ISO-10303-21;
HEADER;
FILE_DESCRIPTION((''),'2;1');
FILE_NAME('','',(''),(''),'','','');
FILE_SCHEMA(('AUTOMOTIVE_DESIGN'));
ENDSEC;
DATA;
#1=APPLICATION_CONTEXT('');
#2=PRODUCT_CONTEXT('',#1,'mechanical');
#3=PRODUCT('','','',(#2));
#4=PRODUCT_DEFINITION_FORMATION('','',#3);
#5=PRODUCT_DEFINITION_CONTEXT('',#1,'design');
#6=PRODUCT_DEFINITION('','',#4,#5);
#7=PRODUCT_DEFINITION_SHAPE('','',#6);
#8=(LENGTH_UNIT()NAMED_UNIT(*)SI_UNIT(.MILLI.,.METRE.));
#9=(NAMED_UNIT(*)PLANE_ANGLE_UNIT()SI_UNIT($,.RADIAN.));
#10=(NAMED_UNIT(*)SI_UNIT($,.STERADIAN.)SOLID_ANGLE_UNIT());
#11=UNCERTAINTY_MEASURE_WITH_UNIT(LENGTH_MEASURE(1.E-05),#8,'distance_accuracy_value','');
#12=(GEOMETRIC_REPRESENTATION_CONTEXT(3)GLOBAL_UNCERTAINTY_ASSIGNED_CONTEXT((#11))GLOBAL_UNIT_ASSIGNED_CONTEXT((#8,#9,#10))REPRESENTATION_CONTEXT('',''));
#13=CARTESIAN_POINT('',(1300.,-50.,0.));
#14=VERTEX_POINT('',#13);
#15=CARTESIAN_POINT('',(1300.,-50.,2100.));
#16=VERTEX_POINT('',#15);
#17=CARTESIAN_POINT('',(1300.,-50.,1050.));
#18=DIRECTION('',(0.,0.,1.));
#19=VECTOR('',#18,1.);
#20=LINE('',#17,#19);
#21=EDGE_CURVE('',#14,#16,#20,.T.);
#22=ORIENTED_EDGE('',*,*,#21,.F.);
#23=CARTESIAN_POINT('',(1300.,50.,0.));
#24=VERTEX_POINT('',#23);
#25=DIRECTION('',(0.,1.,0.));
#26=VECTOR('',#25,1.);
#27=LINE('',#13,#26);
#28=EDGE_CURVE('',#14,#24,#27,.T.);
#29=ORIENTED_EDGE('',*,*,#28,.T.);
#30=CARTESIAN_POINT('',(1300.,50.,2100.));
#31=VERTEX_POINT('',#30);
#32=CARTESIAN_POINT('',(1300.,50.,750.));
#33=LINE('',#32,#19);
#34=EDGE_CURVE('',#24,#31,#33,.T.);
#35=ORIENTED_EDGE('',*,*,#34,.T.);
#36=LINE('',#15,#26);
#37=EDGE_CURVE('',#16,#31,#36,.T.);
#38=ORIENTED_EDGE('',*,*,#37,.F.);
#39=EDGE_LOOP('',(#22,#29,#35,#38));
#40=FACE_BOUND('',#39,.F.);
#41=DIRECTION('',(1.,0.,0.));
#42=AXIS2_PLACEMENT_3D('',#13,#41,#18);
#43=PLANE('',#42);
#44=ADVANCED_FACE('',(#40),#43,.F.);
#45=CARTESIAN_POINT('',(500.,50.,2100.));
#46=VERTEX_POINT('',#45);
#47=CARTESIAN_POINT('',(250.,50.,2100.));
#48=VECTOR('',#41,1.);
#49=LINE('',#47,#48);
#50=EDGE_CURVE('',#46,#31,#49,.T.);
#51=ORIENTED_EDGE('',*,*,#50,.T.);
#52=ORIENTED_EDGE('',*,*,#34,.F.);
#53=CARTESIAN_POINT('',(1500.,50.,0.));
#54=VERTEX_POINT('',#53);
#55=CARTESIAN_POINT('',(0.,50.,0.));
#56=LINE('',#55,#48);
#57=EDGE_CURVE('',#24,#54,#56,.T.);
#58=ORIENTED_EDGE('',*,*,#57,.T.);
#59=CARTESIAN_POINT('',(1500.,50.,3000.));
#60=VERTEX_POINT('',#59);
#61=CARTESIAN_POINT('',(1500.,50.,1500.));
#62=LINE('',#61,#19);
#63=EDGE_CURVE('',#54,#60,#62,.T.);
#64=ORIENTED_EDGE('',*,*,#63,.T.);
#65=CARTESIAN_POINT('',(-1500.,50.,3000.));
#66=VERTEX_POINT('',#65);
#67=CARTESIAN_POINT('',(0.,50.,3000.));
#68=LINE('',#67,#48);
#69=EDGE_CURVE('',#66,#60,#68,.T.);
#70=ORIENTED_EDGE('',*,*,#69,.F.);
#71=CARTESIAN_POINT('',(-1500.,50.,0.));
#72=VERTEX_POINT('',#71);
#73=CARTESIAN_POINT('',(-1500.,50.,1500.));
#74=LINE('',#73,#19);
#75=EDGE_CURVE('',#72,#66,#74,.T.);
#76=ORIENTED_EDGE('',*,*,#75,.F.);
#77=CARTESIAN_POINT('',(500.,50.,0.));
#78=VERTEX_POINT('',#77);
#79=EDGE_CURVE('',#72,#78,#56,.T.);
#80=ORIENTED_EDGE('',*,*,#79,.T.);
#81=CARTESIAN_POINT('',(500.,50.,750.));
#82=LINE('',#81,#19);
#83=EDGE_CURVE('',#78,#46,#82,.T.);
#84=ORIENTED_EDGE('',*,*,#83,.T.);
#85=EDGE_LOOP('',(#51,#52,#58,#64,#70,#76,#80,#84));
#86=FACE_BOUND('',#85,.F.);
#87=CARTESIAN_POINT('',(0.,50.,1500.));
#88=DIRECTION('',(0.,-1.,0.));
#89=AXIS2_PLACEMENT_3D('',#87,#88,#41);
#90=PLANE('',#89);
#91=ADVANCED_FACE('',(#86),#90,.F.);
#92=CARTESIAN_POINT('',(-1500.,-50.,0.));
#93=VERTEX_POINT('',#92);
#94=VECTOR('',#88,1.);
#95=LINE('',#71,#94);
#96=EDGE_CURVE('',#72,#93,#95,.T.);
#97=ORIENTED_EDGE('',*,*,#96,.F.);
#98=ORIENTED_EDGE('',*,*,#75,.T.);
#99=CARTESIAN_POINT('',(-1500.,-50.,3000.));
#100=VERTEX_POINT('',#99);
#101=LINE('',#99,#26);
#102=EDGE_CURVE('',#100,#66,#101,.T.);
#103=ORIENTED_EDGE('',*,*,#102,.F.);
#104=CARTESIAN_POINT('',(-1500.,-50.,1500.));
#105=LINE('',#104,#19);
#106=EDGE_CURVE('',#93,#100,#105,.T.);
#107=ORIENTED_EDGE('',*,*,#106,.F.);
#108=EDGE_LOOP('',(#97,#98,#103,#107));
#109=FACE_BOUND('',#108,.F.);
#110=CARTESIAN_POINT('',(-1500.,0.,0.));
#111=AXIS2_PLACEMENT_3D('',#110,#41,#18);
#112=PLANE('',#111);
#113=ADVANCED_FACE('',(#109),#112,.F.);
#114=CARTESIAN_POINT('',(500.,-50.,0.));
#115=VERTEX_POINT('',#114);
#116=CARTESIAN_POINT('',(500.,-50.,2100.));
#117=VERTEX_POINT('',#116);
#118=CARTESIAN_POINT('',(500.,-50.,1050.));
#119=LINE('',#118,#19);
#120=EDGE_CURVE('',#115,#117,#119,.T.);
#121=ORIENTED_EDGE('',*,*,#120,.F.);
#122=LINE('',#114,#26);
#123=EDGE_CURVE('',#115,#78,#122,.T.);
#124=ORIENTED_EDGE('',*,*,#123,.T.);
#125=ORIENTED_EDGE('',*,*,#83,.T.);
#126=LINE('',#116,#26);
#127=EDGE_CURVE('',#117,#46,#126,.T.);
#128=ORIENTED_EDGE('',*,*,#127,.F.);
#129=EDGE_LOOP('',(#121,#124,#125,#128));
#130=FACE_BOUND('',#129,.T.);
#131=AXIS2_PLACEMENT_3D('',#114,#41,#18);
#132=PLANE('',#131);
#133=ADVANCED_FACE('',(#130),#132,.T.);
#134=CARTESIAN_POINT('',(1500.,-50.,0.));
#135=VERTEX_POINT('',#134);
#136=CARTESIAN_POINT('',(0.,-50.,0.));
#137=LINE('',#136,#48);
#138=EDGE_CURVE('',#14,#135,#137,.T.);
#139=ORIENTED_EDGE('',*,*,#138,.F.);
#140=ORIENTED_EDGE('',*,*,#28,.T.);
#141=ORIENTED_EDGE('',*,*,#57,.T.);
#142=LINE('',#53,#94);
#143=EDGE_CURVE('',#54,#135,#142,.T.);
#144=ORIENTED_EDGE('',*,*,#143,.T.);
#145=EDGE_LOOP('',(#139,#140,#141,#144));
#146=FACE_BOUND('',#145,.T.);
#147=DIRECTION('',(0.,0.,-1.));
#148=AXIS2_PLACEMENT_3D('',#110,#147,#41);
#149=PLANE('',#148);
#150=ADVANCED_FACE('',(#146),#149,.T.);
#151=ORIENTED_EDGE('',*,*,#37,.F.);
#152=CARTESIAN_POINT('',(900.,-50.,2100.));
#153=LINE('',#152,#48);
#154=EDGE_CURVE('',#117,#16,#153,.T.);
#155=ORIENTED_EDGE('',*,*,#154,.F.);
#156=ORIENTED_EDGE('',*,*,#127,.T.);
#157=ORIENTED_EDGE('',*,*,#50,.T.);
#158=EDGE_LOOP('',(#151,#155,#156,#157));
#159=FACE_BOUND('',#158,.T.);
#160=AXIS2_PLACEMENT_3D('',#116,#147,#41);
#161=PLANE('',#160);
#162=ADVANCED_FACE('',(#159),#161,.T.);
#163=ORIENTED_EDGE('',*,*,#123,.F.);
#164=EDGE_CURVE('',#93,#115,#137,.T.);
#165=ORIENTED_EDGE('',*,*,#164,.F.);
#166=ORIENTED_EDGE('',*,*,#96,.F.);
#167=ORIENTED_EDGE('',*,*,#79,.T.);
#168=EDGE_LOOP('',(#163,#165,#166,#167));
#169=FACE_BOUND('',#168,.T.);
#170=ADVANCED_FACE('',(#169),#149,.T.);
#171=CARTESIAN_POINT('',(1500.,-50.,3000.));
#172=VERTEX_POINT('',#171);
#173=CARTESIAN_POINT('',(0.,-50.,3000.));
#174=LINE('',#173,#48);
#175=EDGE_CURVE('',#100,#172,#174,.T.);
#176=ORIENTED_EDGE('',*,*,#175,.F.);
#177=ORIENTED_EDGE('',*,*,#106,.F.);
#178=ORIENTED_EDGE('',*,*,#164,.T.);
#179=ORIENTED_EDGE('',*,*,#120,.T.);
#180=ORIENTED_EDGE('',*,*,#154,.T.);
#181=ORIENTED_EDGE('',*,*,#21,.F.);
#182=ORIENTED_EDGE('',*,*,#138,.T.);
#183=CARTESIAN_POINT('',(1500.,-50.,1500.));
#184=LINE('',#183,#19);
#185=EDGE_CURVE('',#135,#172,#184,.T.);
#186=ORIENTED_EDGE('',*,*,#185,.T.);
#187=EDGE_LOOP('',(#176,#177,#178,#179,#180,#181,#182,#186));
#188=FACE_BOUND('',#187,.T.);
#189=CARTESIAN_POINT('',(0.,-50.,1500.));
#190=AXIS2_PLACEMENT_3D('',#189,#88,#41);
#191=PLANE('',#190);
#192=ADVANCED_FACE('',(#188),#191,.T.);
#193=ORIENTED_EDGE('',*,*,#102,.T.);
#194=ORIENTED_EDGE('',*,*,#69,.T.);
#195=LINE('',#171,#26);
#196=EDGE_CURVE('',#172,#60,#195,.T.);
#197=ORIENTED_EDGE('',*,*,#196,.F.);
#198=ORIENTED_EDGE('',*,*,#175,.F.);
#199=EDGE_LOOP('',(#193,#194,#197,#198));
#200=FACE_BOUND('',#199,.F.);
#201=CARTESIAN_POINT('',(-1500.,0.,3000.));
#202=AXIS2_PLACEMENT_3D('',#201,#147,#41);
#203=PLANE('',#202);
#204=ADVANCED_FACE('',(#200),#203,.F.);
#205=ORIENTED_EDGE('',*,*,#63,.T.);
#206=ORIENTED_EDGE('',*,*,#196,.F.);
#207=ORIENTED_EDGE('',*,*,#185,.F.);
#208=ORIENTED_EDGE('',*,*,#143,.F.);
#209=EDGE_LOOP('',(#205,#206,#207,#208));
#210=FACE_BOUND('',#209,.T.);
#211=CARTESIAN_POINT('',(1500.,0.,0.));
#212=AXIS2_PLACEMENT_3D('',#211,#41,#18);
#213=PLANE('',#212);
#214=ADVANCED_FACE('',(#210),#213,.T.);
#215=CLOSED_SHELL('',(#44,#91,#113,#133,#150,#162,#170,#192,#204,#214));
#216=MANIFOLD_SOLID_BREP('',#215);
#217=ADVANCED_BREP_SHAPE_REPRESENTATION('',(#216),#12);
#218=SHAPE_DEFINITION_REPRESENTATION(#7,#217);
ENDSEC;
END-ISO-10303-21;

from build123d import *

# Parameters (mm, degrees)
F0_W     = 3000
F0_H     = 3000
F1_DEPTH = 50
F2_W     = 800
F2_H     = 2100
F3_DEPTH = 100.001


with BuildPart() as f1:
    # F0 (on Front) → F1 (new body, symmetric)
    with BuildSketch(Plane.XZ):
        with Locations((0, 1500)):
            Rectangle(F0_W, F0_H)
    extrude(amount=F1_DEPTH, both=True)

    # F2 (on face) → F3 (cut, through all)
    with BuildSketch(Plane.XZ.offset(50)):
        with Locations((900, 1050)):
            Rectangle(F2_W, F2_H)
    extrude(amount=-F3_DEPTH, mode=Mode.SUBTRACT)


solid = f1.part
